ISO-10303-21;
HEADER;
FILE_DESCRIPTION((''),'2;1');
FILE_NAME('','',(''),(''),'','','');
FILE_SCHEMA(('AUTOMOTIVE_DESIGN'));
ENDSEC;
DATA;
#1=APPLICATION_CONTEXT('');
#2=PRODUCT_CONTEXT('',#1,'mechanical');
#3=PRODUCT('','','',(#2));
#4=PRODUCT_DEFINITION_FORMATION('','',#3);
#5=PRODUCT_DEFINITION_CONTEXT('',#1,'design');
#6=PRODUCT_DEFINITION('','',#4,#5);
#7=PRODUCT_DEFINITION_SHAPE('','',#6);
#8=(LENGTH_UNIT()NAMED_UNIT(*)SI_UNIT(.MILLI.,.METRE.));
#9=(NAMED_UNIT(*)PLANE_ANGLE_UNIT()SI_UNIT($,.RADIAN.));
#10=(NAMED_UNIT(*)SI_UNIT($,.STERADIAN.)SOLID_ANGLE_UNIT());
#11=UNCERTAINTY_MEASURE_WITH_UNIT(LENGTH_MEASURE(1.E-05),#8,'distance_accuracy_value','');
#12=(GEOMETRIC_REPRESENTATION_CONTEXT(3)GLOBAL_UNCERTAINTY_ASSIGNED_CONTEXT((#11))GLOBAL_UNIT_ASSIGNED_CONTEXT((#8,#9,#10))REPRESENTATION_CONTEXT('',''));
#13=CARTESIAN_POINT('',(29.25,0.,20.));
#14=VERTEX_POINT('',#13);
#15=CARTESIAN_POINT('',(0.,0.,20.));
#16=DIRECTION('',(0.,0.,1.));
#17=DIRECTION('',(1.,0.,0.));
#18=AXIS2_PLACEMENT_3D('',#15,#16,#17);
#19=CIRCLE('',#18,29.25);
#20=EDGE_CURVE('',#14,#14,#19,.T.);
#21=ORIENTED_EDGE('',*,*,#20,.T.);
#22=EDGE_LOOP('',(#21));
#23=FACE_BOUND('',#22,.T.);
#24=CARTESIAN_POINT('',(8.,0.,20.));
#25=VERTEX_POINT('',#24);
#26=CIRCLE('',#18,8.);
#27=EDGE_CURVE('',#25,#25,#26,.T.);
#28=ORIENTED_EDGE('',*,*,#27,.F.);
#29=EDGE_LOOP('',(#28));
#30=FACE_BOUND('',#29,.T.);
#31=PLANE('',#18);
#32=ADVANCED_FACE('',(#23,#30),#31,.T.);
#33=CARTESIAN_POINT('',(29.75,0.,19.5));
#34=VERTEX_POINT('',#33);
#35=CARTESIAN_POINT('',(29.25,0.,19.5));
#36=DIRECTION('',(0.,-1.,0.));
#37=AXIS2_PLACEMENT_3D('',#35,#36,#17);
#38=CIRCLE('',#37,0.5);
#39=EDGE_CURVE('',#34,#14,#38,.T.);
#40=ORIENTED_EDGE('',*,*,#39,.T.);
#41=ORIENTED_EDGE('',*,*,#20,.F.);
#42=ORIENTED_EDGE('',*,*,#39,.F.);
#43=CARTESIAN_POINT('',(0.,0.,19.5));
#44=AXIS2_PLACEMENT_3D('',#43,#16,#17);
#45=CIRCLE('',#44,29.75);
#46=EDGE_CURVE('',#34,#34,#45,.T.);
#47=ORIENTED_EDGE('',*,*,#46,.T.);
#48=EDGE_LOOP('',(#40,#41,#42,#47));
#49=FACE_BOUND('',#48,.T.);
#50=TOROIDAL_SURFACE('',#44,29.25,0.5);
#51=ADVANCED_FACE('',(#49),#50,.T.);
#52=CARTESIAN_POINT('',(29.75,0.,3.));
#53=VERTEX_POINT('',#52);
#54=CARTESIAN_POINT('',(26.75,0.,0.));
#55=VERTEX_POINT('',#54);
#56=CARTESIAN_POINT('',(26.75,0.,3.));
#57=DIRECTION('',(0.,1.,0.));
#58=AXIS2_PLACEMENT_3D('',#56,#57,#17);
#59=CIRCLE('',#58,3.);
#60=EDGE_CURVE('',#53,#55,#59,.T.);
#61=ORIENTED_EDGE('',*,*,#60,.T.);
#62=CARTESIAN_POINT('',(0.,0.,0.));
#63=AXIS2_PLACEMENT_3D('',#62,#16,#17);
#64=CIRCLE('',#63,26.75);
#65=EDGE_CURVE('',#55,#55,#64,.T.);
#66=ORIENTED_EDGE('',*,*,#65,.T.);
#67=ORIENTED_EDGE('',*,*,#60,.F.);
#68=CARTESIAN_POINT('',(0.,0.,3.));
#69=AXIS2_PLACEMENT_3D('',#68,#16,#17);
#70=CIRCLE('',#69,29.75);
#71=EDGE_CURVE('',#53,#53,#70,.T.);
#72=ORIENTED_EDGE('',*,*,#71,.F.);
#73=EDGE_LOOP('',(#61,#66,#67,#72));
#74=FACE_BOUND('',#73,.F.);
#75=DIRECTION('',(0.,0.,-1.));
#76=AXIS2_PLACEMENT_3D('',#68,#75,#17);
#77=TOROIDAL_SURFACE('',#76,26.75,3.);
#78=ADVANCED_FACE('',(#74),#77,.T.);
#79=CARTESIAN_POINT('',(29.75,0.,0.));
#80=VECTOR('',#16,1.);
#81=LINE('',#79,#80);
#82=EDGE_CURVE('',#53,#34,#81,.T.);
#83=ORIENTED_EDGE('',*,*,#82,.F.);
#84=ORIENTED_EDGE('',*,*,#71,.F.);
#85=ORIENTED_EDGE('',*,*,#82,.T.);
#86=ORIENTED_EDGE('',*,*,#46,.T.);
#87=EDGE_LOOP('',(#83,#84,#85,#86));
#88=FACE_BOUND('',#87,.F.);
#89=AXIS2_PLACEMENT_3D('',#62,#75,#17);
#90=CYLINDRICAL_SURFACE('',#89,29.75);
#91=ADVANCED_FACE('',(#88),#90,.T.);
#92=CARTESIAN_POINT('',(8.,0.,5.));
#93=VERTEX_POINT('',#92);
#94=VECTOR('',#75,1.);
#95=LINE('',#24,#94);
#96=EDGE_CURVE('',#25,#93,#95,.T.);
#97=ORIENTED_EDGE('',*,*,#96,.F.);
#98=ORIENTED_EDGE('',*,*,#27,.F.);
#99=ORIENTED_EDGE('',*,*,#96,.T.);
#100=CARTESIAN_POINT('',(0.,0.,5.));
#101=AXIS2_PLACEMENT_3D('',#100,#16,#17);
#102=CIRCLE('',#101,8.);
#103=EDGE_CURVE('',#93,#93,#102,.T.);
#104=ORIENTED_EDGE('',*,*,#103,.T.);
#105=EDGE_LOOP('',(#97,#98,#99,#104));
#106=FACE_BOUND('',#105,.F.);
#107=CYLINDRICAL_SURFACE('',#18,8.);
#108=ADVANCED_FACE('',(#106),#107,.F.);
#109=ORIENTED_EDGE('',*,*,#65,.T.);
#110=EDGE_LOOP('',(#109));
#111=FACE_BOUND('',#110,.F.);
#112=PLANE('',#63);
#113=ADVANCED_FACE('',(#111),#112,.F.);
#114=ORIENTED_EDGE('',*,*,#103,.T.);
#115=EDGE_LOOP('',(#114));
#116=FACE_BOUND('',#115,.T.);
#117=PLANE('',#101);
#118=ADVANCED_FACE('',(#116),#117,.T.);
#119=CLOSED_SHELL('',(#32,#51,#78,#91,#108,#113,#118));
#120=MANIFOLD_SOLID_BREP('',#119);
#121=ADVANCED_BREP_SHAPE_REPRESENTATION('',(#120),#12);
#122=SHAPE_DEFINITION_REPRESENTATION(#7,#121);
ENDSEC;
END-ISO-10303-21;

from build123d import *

# Parameters (mm, degrees)
F0_R     = 29.75
F1_DEPTH = 20
F2_R     = 8
F3_DEPTH = 15
F4_R     = 0.5
F5_R     = 3


with BuildPart() as f1:
    # F0 (on Top) → F1 (new body)
    with BuildSketch(Plane.XY):
        Circle(F0_R)
    extrude(amount=F1_DEPTH)

    # F2 (on face) → F3 (cut)
    with BuildSketch(Plane.XY.offset(20)):
        Circle(F2_R)
    extrude(amount=-F3_DEPTH, mode=Mode.SUBTRACT)

    # F4
    f4_edges = [f1.edges().sort_by_distance(p)[0] for p in [
        (-29.75, 0, 20),
    ]]
    fillet(f4_edges, radius=F4_R)

    # F5
    f5_edges = [f1.edges().sort_by_distance(p)[0] for p in [
        (-29.75, 0, 0),
    ]]
    fillet(f5_edges, radius=F5_R)


solid = f1.part
